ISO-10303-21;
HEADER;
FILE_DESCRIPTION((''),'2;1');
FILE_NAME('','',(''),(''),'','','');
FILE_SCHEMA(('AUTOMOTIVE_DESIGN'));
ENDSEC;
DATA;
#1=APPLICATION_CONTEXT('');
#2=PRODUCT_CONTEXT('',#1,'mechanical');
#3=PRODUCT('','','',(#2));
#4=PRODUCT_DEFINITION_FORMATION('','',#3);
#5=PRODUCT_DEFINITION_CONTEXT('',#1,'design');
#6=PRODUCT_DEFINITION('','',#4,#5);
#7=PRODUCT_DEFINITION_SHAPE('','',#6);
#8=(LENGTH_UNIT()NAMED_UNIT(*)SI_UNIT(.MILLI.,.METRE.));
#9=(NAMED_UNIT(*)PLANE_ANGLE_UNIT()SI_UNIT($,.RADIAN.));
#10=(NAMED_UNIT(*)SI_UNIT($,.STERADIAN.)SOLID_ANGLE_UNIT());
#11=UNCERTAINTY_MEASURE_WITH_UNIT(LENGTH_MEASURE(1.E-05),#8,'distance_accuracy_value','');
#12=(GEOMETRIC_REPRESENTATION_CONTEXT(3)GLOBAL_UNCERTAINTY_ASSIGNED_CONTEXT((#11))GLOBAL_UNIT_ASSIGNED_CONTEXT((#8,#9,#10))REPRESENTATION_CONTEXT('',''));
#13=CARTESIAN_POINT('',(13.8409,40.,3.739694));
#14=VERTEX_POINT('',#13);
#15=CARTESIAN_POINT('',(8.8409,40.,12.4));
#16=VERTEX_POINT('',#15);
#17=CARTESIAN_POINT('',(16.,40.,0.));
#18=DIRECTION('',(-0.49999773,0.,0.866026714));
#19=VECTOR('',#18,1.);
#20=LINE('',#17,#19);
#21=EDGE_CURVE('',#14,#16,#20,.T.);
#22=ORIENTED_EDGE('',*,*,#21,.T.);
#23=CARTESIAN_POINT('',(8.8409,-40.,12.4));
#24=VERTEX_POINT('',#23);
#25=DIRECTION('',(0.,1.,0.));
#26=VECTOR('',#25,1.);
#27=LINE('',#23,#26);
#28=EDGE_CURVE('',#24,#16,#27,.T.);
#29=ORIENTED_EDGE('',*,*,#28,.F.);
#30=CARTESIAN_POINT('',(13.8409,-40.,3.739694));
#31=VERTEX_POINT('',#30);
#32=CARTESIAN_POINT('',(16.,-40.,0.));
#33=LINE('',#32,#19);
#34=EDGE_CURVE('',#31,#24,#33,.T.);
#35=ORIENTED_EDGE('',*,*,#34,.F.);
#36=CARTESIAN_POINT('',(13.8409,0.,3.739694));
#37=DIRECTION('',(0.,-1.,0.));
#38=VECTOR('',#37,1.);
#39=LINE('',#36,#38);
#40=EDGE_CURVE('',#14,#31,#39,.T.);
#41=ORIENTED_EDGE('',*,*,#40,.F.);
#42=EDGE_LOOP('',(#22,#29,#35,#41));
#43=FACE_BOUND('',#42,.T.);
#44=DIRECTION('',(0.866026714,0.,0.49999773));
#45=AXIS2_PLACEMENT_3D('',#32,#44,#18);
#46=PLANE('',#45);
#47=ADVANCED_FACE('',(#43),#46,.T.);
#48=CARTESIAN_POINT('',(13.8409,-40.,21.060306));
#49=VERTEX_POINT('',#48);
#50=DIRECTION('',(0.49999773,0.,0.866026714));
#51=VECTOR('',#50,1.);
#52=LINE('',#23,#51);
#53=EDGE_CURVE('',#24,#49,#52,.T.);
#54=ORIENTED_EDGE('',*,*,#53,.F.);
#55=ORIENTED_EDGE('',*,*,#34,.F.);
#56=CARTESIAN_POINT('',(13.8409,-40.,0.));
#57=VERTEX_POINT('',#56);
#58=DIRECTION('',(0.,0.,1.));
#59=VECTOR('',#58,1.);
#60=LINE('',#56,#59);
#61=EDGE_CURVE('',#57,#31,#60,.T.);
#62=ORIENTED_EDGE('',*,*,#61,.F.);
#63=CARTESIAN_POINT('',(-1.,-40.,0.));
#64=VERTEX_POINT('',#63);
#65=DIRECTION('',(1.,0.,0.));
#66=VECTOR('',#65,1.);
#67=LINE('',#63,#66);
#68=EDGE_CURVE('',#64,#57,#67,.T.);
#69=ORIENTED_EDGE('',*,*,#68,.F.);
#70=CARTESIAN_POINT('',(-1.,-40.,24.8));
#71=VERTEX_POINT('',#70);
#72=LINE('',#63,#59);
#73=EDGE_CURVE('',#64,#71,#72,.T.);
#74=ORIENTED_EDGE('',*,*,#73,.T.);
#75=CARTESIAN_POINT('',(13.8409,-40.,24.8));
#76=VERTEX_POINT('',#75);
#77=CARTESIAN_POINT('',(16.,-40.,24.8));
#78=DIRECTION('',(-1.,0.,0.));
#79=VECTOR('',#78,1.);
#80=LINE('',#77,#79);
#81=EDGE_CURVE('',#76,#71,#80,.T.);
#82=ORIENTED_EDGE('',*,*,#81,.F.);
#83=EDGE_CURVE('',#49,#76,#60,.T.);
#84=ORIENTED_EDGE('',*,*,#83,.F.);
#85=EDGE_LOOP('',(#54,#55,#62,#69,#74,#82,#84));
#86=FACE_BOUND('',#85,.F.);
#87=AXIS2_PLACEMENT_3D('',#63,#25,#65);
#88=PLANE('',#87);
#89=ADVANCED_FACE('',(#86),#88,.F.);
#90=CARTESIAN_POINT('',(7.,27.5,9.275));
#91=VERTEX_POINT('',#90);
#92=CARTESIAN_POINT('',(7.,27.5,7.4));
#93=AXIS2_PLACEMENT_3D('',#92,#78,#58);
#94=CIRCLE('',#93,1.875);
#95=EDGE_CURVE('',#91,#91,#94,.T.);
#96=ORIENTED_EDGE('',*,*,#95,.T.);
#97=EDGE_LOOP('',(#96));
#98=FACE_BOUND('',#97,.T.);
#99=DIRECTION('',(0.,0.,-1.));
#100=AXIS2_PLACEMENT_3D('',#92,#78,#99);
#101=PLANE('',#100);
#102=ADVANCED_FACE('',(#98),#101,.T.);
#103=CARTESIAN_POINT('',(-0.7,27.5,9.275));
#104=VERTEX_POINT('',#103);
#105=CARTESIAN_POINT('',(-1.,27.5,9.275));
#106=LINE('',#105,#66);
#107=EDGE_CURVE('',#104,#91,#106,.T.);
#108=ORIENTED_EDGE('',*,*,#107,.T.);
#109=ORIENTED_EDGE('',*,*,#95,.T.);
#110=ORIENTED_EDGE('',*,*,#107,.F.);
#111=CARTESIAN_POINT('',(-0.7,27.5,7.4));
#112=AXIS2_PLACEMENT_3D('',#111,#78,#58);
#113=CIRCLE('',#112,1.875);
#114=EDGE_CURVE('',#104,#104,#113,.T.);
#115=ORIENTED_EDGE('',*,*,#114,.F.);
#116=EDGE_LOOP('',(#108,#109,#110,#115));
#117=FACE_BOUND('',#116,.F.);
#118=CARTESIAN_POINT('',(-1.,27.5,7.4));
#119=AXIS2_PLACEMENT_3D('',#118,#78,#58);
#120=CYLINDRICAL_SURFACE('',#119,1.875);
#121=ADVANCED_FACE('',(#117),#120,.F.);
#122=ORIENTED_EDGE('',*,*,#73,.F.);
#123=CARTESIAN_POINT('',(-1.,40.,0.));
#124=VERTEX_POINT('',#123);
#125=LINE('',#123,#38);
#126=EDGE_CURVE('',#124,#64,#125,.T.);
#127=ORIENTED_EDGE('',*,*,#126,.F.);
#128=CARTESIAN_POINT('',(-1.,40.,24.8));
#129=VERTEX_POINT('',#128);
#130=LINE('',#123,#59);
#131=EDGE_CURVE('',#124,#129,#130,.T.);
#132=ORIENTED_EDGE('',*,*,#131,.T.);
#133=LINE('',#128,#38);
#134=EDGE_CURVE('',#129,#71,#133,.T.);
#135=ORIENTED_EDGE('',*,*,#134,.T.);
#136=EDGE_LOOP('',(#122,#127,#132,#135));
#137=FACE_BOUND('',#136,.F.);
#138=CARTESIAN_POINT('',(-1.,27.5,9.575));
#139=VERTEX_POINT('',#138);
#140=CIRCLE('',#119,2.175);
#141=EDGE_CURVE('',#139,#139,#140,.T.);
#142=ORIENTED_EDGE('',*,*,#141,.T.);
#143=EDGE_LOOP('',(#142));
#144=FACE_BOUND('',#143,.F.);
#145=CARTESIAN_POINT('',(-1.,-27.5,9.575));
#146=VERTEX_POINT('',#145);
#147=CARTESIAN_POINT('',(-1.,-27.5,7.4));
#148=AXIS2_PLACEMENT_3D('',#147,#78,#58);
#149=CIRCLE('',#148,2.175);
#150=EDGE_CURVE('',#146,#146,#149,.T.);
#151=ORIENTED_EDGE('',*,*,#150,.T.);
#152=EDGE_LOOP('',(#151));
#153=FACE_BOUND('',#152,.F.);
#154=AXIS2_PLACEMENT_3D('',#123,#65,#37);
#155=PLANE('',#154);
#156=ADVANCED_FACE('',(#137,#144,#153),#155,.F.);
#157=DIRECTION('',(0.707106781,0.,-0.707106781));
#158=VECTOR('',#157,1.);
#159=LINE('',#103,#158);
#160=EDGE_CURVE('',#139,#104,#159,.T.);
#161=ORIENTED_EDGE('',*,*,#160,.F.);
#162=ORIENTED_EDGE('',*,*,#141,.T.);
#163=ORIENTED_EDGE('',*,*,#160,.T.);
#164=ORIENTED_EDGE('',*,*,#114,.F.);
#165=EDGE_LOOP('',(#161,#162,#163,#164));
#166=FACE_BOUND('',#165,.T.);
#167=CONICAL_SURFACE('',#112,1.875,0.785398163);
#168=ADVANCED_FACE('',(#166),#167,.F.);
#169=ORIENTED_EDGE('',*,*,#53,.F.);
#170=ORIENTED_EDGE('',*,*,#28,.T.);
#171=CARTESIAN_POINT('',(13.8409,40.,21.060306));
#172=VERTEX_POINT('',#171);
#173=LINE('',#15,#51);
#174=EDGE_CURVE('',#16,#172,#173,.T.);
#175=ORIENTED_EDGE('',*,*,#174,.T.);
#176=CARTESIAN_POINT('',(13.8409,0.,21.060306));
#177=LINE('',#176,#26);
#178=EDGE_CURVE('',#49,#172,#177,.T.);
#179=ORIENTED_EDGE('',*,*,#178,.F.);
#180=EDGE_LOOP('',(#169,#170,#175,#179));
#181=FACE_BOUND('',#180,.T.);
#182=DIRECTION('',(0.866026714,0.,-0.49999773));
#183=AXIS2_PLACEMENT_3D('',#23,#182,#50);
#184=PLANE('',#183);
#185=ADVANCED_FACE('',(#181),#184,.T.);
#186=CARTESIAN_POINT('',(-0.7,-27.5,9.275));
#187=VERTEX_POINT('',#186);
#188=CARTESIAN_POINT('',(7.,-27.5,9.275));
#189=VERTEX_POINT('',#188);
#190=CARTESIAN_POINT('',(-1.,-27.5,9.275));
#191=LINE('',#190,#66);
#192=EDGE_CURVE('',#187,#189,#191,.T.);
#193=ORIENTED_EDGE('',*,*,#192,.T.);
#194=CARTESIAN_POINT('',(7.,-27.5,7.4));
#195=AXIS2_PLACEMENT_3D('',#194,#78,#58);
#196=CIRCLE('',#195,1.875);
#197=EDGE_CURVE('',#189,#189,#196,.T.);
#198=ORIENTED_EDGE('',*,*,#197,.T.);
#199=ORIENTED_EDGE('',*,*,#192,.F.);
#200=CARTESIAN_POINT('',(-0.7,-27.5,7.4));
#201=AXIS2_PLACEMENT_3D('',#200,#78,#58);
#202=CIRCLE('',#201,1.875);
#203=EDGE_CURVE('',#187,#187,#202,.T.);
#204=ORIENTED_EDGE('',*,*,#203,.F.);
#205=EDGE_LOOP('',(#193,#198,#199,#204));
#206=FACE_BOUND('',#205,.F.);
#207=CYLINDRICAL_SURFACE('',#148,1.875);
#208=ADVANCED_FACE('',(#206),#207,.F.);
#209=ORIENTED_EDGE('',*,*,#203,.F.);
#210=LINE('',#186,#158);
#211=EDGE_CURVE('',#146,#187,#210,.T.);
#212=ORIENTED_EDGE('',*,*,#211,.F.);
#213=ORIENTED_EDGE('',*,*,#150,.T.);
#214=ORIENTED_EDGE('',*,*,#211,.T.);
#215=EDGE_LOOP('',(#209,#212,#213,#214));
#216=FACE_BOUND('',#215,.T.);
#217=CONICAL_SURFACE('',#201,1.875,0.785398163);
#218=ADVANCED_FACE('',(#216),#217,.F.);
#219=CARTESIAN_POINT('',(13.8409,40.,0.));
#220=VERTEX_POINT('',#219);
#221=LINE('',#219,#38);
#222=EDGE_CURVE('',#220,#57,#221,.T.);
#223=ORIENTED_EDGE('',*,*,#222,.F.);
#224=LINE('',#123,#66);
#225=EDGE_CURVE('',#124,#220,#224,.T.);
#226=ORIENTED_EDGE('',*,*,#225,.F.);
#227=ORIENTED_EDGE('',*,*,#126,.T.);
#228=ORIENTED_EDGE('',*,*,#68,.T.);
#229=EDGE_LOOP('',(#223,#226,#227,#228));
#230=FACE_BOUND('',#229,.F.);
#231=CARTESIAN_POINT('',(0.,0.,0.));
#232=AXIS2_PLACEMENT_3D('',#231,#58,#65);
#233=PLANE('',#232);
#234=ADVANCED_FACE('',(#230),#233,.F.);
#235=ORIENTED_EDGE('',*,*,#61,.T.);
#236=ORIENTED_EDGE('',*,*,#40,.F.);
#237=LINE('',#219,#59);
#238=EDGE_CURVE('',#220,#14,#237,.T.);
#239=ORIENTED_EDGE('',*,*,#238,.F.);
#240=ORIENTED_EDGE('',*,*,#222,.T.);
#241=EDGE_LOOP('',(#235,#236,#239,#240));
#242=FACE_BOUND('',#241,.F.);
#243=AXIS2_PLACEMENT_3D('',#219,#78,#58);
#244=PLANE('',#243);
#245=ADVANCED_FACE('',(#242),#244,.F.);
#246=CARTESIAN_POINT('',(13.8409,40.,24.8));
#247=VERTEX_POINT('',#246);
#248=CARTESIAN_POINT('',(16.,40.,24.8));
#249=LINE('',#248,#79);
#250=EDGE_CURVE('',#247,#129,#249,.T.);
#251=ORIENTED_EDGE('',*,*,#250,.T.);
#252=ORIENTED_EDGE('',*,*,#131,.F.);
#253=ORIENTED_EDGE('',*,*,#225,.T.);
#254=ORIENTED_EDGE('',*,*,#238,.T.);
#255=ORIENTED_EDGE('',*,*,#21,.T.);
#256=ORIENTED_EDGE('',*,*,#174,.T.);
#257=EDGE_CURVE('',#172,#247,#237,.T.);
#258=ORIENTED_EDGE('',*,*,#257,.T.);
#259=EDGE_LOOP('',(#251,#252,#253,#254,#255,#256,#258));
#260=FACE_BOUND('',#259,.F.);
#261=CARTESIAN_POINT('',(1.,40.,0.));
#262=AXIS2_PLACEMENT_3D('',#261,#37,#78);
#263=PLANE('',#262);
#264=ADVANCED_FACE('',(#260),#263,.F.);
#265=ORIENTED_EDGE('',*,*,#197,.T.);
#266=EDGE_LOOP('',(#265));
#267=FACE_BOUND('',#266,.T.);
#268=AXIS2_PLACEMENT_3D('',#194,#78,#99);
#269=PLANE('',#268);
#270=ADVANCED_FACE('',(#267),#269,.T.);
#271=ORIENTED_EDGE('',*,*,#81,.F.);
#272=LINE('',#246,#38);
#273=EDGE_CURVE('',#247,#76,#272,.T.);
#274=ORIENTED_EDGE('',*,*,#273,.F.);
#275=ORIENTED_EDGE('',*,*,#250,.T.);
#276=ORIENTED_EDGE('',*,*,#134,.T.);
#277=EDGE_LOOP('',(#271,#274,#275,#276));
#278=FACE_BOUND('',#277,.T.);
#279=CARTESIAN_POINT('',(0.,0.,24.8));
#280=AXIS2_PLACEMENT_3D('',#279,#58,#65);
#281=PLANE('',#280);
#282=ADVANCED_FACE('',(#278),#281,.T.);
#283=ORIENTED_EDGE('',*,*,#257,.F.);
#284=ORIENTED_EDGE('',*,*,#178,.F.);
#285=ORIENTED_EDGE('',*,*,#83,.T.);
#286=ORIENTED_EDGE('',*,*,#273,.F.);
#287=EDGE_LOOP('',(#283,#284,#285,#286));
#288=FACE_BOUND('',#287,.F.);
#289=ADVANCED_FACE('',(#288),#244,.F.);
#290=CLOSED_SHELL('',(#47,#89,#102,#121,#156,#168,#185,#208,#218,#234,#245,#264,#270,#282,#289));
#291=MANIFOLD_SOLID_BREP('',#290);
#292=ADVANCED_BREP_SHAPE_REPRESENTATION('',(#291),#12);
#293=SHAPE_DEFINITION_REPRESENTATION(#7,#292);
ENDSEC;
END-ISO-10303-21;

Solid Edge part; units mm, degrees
sketch "Sketch1" plane through (0, 0, 0) normal (0, 0, 1) x (1, 0, 0)
  line L0 (-1, -40) -> (1, -40)
  line L1 (1, -40) -> (1, 40)
  line L2 (1, 40) -> (-1, 40)
  line L3 (-1, 40) -> (-1, -40)
  dimension "D1" = 80
  dimension "D2" = 2
extrude "Protrusion1" add sketch "Sketch1" along normal blind 24.8
sketch "Sketch2" plane through (0, -40, 8) normal (0, -1, 0) x (0, 0, 1)
  line L0 (-8, -1) -> (-8, -16)
  line L1 (-8, -16) -> (4.4, -8.8409)
  line L2 (4.4, -8.8409) -> (16.8, -16)
  line L3 (16.8, -16) -> (16.8, -1)
  dimension "D1" = 15
extrude "Protrusion2" add sketch "Sketch2" against normal up to vertex (80 mm away) material side at (8.5, -40, 0.05)
sketch "Sketch3" plane through (-1, 0, 12.4) normal (-1, 0, 0) x (0, 0, 1)
  circle A0 centre (-5, 27.5) radius 1.875
  circle A1 centre (-5, -27.5) radius 1.875
  dimension "D1" = 55
  dimension "D2" = 3.75
  dimension "D3" = 7.4
extrude "Extrusionsausschnitt_5" cut sketch "Sketch3" against normal blind 8
sketch "Sketch4" plane through (7.5, 40, 12.4) normal (0, 1, 0) x (0, 0, 1)
  line L0 (-12.4, 6.3409) -> (12.4, 6.3409)
  dimension "D1" = 5
extrude "Cutout1" cut sketch "Sketch4" against normal through all material side at (13.8909, 40, 12.4)
chamfer "Fase_1" distance 0.3 angle 45 2 edges at (-1, 27.5, 5.525) (-1, -27.5, 5.525)
properties material "Polypropylen, allgemein"
